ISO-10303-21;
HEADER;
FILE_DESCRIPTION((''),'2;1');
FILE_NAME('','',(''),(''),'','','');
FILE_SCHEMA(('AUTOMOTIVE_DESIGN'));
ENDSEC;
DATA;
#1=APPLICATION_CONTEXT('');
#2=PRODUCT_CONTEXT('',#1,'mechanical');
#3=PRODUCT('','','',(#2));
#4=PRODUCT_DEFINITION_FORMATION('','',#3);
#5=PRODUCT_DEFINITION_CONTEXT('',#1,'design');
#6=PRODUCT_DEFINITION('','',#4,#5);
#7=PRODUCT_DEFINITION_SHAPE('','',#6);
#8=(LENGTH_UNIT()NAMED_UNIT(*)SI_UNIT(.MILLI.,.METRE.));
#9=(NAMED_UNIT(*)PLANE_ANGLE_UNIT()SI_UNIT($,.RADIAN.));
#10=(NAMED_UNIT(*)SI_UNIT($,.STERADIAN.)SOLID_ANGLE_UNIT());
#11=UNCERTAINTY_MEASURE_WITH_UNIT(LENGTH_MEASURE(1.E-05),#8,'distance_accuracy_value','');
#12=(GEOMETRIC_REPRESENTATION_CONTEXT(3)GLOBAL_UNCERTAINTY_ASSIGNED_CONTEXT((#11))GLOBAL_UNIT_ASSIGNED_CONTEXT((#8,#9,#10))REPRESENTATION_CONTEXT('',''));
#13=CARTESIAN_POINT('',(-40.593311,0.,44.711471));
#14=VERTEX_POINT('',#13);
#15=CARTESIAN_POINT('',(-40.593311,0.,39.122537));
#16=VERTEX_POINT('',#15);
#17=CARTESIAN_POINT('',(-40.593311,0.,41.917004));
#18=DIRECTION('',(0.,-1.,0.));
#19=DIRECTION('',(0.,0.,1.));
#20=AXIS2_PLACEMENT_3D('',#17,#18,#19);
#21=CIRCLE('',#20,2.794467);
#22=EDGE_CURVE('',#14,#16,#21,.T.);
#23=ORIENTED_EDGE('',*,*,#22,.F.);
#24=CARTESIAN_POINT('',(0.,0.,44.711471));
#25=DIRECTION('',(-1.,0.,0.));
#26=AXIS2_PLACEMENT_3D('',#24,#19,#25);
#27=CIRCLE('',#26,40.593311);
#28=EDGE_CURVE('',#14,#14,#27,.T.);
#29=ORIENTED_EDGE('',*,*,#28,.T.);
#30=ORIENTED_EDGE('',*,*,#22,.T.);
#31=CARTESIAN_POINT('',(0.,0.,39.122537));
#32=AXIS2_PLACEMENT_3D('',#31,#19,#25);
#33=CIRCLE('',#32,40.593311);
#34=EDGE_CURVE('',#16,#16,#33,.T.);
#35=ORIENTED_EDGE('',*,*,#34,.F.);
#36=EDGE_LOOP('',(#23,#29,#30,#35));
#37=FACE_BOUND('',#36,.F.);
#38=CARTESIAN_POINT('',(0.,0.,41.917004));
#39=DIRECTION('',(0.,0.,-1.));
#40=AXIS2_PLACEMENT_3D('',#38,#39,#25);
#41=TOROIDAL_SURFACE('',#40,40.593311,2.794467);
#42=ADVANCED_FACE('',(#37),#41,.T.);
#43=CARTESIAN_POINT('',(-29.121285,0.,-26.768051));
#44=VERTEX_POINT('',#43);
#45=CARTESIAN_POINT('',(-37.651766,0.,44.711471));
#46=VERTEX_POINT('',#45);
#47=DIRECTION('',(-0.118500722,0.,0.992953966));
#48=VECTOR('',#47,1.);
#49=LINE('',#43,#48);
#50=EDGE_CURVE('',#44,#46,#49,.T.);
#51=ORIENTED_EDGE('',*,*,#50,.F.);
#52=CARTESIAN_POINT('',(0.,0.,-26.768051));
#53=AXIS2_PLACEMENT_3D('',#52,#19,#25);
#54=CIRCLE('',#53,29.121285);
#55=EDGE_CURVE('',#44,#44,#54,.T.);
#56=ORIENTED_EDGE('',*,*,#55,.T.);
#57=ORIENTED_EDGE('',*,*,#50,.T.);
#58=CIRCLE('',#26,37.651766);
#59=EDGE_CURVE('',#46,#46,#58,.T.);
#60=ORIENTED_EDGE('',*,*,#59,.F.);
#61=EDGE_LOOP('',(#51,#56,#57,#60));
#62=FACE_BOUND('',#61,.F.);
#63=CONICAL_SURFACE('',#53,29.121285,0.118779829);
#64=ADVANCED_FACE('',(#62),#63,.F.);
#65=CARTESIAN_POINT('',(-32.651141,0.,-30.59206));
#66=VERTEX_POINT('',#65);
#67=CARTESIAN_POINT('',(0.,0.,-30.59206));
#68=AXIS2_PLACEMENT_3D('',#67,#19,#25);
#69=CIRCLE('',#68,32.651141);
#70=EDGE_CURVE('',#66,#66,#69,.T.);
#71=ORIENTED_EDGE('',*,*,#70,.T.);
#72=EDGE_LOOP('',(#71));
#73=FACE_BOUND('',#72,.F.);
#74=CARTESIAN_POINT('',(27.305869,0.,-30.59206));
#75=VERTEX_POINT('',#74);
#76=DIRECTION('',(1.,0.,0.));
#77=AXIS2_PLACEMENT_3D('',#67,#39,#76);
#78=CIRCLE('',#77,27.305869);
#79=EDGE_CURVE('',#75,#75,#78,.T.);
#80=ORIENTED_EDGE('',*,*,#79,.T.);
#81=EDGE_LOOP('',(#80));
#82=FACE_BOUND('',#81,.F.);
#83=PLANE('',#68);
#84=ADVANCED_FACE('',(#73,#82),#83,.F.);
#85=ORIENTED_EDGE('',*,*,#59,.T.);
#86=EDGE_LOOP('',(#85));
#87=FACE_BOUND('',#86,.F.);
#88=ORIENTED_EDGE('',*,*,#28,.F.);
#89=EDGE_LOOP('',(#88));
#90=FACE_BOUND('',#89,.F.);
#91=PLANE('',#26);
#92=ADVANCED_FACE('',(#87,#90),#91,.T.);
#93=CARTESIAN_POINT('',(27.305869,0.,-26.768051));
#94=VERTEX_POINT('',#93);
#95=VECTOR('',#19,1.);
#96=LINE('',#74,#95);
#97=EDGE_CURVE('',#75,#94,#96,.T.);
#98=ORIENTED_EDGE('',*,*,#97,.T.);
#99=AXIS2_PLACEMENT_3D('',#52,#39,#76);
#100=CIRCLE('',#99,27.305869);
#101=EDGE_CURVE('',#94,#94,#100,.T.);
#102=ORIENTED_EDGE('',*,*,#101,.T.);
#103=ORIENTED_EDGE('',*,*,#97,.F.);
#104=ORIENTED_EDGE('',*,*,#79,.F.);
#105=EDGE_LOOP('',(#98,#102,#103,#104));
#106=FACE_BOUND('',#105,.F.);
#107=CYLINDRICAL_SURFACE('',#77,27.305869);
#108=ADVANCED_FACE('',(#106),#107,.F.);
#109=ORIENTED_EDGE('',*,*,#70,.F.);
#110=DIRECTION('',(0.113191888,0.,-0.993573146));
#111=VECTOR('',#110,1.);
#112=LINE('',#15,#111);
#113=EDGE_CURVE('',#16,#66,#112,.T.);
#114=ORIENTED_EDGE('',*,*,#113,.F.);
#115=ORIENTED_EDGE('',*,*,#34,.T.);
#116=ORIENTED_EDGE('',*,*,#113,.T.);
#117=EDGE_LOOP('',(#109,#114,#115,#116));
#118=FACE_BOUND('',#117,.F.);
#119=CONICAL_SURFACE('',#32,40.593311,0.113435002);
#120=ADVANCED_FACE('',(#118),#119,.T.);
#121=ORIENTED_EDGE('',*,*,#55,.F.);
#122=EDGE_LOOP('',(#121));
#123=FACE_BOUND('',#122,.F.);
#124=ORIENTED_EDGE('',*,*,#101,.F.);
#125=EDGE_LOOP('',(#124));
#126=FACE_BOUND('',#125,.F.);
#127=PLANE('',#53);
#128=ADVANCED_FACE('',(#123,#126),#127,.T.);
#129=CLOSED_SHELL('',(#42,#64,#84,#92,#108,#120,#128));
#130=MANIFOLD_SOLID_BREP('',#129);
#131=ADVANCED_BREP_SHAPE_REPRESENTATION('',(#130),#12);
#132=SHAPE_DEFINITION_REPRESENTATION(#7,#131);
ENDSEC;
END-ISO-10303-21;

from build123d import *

# Parameters (mm, degrees)
F2_R     = 27.305869
F3_DEPTH = 5.842


with BuildPart() as f1:
    # F0 (on Front) → F1 (revolve)
    with BuildSketch(Plane.XZ):
        with BuildLine():
            ThreePointArc((-40.593311, 44.711471), (-43.387778, 41.917004), (-40.593311, 39.122537))
            Line((-40.593311, 39.122537), (-32.651141, -30.59206))
            Line((-32.651141, -30.59206), (0, -30.59206))
            Line((0, -30.59206), (0, -26.768051))
            Line((0, -26.768051), (-29.121285, -26.768051))
            Line((-29.121285, -26.768051), (-37.651766, 44.711471))
            Line((-37.651766, 44.711471), (-40.593311, 44.711471))
        make_face()
    revolve(axis=Axis((0, 0, -28.680055), (0, 0, 1)))

    # F2 (on face) → F3 (cut)
    with BuildSketch(Plane(origin=(0, 0, -30.59206), x_dir=(1, 0, 0), z_dir=(0, 0, -1))):
        Circle(F2_R)
    extrude(amount=-F3_DEPTH, mode=Mode.SUBTRACT)


solid = f1.part
